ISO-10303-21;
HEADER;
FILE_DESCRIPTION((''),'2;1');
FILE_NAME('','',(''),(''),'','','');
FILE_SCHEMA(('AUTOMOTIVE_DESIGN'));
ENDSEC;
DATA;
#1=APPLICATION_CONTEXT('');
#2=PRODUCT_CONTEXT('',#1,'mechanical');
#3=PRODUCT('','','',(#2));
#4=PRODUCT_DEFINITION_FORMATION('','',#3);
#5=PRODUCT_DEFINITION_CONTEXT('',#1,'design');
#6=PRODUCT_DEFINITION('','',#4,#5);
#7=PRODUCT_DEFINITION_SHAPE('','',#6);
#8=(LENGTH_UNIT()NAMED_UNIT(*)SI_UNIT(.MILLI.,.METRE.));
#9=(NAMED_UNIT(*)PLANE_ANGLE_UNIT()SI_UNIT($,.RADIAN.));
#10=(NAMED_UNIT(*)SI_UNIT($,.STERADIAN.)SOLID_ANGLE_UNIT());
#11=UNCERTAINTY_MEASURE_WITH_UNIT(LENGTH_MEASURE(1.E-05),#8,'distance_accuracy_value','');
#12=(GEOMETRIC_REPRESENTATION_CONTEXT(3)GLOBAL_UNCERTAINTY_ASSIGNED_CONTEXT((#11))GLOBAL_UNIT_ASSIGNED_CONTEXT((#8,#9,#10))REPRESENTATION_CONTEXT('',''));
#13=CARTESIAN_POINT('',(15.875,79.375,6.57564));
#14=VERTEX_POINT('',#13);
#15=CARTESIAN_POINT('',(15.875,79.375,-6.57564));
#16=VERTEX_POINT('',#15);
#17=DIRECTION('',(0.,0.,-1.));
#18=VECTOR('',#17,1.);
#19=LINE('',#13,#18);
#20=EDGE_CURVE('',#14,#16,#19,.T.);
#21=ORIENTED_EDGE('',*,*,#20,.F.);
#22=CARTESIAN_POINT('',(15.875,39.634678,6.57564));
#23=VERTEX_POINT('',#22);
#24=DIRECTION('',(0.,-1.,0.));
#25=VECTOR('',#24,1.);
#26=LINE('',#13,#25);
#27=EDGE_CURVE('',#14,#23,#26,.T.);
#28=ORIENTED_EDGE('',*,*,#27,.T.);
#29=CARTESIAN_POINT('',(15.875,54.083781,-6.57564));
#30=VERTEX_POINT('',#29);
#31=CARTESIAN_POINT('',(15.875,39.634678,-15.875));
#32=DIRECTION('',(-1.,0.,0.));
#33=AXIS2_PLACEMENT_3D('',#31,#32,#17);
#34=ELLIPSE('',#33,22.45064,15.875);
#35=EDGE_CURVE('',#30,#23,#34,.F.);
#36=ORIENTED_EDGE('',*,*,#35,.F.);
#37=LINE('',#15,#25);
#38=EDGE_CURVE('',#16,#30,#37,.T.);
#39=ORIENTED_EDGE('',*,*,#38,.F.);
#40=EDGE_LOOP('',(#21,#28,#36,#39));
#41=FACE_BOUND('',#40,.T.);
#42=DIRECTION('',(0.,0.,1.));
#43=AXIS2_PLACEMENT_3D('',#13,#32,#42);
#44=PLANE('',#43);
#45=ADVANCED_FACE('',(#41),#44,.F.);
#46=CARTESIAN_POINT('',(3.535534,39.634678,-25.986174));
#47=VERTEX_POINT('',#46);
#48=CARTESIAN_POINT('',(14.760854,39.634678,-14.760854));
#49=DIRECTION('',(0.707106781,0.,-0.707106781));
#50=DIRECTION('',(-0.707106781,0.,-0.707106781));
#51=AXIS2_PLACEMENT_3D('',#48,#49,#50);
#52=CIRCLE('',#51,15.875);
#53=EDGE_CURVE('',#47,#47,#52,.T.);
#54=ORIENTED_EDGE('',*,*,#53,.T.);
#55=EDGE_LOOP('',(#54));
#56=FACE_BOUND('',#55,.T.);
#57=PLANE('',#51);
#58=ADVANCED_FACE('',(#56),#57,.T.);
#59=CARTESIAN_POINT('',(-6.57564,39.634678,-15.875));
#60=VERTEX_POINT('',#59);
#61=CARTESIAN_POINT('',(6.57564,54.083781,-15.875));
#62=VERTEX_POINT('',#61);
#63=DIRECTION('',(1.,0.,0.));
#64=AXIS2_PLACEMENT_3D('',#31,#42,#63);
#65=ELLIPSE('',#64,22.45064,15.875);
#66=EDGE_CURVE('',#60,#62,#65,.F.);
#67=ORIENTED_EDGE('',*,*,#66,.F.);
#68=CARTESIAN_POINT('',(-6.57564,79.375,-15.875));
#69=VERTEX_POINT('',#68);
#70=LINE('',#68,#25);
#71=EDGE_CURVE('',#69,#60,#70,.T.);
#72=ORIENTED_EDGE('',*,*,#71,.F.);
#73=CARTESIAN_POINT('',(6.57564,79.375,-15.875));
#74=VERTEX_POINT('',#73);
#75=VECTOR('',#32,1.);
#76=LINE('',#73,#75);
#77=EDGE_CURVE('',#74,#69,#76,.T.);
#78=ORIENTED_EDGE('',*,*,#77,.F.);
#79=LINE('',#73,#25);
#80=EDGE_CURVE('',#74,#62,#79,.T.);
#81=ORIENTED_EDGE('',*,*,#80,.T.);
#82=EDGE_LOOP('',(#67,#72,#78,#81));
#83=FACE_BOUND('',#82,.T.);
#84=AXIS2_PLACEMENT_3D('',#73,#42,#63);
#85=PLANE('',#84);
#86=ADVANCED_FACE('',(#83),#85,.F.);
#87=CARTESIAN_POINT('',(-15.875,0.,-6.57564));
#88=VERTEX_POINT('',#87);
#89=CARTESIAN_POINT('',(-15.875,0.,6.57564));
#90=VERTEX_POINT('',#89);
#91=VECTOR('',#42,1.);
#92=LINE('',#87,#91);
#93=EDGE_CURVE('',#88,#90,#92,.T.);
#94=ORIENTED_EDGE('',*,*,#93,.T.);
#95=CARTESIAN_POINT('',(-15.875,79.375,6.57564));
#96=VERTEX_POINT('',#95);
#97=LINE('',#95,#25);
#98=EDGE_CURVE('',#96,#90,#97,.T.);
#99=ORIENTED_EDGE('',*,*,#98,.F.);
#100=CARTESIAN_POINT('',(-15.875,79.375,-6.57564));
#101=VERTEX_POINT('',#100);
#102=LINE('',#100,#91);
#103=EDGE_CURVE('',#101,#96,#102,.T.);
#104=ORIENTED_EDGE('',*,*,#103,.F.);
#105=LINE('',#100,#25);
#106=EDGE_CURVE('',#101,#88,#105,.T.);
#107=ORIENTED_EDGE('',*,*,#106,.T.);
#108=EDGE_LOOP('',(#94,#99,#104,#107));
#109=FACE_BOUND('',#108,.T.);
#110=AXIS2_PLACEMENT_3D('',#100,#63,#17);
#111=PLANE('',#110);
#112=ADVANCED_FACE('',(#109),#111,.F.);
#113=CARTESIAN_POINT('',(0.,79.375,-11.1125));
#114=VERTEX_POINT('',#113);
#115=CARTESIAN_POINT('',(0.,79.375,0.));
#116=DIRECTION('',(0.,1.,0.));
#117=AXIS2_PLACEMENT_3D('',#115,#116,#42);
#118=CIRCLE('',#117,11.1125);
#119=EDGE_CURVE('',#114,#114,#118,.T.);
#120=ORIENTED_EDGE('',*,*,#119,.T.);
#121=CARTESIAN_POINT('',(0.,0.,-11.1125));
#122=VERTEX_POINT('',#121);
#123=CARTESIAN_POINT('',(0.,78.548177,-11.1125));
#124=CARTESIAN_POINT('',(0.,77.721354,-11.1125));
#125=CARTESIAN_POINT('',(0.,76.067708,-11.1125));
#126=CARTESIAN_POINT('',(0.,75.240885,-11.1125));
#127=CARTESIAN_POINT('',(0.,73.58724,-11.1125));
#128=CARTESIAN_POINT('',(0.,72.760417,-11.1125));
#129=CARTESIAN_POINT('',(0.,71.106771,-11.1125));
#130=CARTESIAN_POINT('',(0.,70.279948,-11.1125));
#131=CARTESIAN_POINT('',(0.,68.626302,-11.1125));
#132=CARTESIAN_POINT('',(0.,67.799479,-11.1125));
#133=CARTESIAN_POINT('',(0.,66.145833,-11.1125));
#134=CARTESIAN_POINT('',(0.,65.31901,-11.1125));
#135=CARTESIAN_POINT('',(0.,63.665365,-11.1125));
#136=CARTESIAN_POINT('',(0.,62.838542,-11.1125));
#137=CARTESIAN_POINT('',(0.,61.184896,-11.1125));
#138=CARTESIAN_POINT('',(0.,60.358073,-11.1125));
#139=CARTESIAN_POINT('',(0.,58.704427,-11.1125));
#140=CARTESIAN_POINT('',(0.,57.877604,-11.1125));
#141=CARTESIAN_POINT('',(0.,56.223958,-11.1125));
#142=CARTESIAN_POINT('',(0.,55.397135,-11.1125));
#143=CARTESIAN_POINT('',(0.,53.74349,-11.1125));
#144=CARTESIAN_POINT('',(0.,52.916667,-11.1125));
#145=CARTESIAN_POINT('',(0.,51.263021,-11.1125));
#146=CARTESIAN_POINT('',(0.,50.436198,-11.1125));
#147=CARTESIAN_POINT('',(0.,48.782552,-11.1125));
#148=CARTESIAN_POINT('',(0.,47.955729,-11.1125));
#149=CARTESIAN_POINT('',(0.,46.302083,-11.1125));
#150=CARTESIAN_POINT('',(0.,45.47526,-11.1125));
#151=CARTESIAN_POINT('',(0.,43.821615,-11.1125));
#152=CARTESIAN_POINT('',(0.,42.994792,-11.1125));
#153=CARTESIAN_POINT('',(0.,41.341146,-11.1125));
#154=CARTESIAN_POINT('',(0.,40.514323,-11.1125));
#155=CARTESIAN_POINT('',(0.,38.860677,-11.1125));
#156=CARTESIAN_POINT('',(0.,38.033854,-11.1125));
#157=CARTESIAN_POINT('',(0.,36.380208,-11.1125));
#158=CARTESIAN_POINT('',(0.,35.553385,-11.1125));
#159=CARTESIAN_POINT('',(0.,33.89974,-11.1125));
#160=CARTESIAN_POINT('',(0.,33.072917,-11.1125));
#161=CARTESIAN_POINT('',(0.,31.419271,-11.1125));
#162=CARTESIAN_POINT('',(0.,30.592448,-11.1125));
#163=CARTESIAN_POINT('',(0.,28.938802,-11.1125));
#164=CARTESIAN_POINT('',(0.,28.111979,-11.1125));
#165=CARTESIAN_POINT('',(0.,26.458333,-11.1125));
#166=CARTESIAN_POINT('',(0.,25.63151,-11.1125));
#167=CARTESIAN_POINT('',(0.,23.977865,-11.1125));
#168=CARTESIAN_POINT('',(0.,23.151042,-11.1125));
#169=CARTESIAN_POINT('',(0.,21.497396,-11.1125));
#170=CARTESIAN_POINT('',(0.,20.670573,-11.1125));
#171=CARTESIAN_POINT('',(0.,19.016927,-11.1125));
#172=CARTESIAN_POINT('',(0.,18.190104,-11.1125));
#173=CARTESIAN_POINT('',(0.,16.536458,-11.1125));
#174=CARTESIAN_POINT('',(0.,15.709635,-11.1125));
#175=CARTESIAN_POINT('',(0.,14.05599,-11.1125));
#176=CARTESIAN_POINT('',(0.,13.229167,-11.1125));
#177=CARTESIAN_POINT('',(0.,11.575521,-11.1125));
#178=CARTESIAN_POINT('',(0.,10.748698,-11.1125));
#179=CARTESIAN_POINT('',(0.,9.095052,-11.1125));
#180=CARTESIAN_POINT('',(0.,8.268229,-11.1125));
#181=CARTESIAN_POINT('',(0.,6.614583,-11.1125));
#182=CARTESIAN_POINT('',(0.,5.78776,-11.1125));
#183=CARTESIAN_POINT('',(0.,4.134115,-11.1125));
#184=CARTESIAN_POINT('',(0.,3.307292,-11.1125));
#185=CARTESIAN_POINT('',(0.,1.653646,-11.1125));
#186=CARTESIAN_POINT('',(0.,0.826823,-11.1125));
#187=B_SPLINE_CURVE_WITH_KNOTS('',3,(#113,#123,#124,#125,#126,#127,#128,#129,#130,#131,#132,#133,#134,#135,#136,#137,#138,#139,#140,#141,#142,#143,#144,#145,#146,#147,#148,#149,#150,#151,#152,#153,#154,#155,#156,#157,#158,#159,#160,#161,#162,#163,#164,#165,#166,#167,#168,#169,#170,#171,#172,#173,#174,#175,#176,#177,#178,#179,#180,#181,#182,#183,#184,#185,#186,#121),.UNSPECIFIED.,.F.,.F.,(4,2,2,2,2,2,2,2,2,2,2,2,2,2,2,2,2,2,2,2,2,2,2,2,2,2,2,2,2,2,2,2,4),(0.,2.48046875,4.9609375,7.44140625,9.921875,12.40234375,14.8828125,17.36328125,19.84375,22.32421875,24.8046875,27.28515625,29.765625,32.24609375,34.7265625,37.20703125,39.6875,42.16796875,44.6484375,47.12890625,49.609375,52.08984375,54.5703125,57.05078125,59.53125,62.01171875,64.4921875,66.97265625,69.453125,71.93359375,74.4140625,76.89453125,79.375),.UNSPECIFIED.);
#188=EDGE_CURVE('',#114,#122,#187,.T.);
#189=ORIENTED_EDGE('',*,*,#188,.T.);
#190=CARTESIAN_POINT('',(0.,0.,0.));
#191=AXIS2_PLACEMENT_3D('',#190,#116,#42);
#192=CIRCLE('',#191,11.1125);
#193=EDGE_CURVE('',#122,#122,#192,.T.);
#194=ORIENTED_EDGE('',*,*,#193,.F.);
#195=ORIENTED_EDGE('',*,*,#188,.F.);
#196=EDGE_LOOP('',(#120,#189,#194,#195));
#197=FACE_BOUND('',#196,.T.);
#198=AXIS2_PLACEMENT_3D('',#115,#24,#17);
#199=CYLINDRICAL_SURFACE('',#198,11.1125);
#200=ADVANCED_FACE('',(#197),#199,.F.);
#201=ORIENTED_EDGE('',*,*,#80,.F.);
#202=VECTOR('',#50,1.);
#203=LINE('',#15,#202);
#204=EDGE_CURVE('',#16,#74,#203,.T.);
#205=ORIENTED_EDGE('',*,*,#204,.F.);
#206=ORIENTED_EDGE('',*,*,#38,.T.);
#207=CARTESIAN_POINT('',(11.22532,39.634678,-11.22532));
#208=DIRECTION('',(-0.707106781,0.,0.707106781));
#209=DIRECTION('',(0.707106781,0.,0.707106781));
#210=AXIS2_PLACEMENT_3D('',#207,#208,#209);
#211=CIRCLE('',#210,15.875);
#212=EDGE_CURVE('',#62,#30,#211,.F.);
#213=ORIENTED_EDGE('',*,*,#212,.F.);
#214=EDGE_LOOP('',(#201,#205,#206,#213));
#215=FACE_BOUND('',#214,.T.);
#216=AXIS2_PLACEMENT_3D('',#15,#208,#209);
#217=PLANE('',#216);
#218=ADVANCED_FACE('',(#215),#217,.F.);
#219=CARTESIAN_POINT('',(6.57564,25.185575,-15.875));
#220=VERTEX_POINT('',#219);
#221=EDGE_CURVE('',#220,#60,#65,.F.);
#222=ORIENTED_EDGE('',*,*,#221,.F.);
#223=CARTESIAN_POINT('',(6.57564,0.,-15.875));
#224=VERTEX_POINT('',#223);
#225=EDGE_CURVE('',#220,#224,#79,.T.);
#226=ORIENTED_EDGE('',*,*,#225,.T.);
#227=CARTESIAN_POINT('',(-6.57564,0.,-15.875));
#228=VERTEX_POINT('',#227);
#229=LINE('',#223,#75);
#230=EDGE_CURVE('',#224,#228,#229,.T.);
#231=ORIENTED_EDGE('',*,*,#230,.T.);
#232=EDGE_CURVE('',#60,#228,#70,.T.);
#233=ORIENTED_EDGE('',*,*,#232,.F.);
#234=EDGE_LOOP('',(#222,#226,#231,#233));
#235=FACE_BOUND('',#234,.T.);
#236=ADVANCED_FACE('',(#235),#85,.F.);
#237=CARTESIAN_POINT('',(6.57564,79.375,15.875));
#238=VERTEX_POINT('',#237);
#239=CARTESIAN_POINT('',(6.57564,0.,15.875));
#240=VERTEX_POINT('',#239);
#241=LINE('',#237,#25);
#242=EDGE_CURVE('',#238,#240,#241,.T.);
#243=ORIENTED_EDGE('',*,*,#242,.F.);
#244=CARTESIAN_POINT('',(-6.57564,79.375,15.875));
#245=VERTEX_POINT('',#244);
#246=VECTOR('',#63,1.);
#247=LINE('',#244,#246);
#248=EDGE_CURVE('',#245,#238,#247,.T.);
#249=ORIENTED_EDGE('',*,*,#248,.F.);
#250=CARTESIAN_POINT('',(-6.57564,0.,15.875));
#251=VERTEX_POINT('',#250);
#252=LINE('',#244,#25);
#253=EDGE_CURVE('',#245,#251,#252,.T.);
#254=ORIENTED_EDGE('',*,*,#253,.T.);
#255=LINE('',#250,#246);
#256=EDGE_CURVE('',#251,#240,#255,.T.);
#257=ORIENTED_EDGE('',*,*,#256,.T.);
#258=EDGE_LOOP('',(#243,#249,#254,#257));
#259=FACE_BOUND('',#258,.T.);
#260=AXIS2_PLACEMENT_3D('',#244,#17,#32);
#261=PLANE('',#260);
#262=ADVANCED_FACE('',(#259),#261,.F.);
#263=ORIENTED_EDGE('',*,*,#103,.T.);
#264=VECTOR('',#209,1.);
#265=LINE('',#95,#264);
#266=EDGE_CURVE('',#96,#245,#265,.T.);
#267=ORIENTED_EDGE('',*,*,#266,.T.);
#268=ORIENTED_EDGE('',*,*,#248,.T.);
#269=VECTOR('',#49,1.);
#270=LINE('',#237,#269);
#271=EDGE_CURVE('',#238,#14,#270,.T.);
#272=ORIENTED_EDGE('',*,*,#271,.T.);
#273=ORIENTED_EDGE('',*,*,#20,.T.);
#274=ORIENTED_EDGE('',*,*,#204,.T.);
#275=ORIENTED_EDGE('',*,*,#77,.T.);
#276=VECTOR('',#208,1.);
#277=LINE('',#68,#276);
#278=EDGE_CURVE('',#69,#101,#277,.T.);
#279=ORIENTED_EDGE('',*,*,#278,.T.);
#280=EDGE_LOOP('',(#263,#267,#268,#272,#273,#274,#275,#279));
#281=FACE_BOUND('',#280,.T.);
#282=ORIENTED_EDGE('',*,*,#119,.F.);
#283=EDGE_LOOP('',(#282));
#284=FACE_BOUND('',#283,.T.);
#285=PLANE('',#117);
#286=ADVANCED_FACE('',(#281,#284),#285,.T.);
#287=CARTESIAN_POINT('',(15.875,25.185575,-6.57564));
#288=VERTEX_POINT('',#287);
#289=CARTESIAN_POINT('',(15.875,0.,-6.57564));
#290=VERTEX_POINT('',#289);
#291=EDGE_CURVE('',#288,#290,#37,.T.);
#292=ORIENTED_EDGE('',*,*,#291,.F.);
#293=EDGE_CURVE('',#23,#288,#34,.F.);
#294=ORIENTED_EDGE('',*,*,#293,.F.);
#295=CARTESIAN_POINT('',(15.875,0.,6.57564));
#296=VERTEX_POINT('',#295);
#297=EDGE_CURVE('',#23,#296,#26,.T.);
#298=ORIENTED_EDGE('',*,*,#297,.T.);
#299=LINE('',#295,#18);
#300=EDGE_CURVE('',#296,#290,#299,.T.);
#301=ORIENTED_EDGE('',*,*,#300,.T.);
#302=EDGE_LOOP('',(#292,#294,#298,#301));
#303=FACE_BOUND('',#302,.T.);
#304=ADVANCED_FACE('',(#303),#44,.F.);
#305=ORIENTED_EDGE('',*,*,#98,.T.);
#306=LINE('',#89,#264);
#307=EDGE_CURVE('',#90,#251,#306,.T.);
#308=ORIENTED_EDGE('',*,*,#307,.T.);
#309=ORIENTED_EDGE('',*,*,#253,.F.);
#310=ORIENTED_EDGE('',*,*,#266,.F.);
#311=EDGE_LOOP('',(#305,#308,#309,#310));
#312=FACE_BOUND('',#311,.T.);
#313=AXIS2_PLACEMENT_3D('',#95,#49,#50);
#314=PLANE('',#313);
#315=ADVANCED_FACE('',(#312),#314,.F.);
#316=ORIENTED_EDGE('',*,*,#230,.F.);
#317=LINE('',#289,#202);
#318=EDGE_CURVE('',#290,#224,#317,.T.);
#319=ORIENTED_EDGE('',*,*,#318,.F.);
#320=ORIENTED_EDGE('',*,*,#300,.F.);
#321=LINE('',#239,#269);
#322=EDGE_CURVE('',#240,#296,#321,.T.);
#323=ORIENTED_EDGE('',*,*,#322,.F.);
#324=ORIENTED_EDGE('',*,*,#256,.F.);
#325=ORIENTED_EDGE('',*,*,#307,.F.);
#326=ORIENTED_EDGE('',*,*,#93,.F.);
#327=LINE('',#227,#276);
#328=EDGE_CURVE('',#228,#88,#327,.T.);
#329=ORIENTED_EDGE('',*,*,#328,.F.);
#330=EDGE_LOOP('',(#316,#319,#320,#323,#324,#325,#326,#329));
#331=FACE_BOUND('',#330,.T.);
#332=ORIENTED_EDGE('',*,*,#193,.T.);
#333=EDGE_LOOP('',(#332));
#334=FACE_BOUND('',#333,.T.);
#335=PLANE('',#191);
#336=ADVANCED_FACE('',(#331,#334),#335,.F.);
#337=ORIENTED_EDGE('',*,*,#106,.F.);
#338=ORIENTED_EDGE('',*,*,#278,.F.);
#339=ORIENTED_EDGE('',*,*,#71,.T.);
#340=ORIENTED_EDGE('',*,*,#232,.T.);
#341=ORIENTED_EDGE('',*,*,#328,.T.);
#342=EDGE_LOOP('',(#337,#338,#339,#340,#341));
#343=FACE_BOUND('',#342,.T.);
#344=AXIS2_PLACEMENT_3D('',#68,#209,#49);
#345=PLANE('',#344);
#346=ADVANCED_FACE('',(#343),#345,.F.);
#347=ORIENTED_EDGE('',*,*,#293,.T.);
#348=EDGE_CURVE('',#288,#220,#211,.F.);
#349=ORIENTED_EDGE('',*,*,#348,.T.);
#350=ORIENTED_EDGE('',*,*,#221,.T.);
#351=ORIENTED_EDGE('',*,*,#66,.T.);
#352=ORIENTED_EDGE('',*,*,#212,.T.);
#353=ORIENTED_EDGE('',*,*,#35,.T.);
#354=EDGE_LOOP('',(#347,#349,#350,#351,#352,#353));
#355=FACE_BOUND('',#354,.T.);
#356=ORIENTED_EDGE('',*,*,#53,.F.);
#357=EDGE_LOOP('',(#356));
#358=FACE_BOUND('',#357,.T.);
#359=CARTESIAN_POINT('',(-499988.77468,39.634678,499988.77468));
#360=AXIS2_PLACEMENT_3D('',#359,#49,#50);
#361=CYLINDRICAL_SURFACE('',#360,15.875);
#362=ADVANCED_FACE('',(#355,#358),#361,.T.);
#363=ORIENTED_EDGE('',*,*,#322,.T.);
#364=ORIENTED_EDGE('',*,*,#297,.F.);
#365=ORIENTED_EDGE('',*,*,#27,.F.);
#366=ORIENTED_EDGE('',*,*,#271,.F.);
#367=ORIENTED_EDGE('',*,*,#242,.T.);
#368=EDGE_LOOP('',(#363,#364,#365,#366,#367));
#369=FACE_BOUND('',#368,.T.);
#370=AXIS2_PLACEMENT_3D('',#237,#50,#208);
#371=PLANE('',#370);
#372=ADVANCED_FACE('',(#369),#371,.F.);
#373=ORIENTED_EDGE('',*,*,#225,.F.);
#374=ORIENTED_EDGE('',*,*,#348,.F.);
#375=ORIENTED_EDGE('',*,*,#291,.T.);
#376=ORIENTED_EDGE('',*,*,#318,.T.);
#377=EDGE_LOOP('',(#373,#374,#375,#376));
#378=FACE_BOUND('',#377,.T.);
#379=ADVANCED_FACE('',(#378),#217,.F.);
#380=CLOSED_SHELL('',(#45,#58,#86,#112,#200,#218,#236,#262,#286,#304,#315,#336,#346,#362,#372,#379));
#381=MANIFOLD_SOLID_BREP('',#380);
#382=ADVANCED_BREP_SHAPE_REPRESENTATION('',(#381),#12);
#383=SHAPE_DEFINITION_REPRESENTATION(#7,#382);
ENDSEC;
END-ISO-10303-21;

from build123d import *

# Parameters (mm, degrees)
SKETCH1_R           = 11.1125
BOSS_EXTRUDE1_DEPTH = 79.375
BOSS_EXTRUDE2_REACH = 92.43
SKETCH2_R           = 15.875


with BuildPart() as part:
    # Sketch1 → Boss-Extrude1 (new body)
    with BuildSketch(Plane(origin=(0, 0, 0), x_dir=(1, 0, 0), z_dir=(0, 1, 0))):
        Polygon((6.575640303, -15.875), (15.875, -6.575640303), (15.875, 6.575640303), (6.575640303, 15.875), (-6.575640303, 15.875), (-15.875, 6.575640303), (-15.875, -6.575640303), (-6.575640303, -15.875), align=None)
        with Locations(Location((0, 0, 0), (0, 0, 90))):
            Circle(SKETCH1_R, mode=Mode.SUBTRACT)
    extrude(amount=BOSS_EXTRUDE1_DEPTH)

    # Sketch2 → Boss-Extrude2 (add, up to next)
    with BuildSketch(Plane(origin=(14.760854057, 0, -14.760854057), x_dir=(-0.7071067811865476, 0, -0.7071067811865475), z_dir=(0.7071067811865475, 0, -0.7071067811865476)), mode=Mode.PRIVATE) as boss_extrude2_sk1:
        with Locations((0, 39.634677984)):
            Circle(SKETCH2_R)
    boss_extrude2_tool1 = extrude(boss_extrude2_sk1.sketch, amount=-BOSS_EXTRUDE2_REACH, mode=Mode.PRIVATE) - part.part
    add(boss_extrude2_tool1.solids().sort_by_distance((14.760854, 39.634678, -14.760854))[0])


solid = part.part
